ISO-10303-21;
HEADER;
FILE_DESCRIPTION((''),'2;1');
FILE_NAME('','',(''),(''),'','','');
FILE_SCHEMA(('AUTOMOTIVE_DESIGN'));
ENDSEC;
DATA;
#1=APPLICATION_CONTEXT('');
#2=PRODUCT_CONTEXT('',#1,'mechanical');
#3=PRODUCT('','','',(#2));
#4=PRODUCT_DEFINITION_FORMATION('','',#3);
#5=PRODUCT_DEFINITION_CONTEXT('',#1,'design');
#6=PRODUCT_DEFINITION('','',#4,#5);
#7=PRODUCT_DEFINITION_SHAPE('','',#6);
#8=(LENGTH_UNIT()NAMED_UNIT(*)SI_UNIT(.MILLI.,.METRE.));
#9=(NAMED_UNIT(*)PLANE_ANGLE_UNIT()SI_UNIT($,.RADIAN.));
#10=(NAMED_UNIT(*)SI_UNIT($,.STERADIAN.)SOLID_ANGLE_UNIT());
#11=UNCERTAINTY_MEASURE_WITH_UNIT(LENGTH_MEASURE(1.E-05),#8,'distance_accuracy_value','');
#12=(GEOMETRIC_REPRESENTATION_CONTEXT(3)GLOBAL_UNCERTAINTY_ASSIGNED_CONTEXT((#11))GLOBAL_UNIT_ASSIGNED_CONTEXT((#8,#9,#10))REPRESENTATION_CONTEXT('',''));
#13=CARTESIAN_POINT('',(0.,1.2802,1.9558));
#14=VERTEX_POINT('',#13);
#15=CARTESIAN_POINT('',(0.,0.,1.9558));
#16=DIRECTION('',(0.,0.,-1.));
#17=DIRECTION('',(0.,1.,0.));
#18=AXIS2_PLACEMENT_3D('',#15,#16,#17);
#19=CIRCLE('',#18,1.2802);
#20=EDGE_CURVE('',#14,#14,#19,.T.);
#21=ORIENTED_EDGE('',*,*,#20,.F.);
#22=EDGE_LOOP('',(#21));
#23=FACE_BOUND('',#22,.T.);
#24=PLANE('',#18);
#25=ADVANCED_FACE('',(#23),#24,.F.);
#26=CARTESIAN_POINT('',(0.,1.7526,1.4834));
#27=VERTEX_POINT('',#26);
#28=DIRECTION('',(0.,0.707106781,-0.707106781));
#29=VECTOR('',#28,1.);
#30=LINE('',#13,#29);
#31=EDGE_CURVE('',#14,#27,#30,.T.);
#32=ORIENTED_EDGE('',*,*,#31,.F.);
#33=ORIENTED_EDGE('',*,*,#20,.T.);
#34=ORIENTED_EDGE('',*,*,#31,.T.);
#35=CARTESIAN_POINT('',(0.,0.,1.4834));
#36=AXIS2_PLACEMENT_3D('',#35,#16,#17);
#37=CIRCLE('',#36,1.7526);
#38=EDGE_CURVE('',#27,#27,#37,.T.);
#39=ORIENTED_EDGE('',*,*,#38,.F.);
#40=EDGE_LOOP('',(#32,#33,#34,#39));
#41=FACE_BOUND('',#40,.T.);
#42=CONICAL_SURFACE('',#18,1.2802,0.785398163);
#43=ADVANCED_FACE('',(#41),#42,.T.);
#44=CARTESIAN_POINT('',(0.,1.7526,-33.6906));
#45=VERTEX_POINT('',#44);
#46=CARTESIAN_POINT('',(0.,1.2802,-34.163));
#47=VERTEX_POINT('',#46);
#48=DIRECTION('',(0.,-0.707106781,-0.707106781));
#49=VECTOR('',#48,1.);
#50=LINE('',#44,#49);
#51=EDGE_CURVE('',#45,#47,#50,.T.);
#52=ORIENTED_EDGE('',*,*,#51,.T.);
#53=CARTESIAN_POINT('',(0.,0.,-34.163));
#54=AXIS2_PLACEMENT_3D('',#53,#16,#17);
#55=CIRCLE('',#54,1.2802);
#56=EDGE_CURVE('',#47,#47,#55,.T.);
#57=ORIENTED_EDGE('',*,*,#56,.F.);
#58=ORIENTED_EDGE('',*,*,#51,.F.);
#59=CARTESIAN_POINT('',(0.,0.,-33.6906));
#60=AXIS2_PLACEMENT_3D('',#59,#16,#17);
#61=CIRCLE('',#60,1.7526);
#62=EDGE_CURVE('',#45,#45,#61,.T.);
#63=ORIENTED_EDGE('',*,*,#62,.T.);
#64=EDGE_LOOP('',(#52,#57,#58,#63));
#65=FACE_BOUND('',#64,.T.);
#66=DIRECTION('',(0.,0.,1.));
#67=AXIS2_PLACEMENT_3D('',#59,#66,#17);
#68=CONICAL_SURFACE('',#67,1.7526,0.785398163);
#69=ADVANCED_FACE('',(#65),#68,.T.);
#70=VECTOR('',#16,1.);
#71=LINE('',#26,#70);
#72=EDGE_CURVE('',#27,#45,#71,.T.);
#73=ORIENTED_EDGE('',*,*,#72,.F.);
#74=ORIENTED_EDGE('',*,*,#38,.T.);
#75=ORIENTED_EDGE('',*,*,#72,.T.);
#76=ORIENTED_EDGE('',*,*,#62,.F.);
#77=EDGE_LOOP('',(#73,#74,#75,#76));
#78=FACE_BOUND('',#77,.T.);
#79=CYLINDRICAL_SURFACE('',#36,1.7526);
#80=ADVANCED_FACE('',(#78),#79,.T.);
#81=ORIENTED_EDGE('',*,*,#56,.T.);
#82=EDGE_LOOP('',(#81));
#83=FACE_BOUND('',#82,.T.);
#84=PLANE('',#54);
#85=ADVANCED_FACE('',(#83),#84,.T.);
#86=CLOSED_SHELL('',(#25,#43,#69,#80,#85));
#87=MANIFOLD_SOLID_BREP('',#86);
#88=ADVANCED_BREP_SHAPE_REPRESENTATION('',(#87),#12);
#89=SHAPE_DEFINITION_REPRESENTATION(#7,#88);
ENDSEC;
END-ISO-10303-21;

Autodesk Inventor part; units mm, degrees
sketch "Sketch_3" plane through (0, 0, 0) normal (1, 0, 0) x (0, 1, 0)
  line L0 (0, -34.163) -> (0, 1.9558)
  line L1 (0, 1.9558) -> (1.2802, 1.9558)
  line L2 (1.2802, 1.9558) -> (1.7526, 1.4834)
  line L3 (1.7526, 1.4834) -> (1.7526, -33.6906)
  line L4 (1.7526, -33.6906) -> (1.2802, -34.163)
  line L5 (1.2802, -34.163) -> (0, -34.163)
  line L6 (0, -34.163) -> (0, 1.9558)
revolve "Revolution1" add sketch "Sketch_3" angle 360 about axis through (0, 0, -34.163) along (0, 0, -1)
thread "Thread1" size "6-32 UNC" class "2A" standard "ANSI Unified Screw Threads" length 12.2276
thread "Thread2" size "6-32 UNC" class "2A" standard "ANSI Unified Screw Threads" length 12.2276
ref_plane "screw_XY" through (0, 0, 0) normal (0, 0, 1) x (1, 0, 0)
ref_plane "screw_YZ" through (0, 0, 0) normal (1, 0, 0) x (0, 1, 0)
ref_plane "screw_ZX" through (0, 0, 0) normal (0, 1, 0) x (0, 0, 1)
properties part number "D-118538-1.422-bif"
